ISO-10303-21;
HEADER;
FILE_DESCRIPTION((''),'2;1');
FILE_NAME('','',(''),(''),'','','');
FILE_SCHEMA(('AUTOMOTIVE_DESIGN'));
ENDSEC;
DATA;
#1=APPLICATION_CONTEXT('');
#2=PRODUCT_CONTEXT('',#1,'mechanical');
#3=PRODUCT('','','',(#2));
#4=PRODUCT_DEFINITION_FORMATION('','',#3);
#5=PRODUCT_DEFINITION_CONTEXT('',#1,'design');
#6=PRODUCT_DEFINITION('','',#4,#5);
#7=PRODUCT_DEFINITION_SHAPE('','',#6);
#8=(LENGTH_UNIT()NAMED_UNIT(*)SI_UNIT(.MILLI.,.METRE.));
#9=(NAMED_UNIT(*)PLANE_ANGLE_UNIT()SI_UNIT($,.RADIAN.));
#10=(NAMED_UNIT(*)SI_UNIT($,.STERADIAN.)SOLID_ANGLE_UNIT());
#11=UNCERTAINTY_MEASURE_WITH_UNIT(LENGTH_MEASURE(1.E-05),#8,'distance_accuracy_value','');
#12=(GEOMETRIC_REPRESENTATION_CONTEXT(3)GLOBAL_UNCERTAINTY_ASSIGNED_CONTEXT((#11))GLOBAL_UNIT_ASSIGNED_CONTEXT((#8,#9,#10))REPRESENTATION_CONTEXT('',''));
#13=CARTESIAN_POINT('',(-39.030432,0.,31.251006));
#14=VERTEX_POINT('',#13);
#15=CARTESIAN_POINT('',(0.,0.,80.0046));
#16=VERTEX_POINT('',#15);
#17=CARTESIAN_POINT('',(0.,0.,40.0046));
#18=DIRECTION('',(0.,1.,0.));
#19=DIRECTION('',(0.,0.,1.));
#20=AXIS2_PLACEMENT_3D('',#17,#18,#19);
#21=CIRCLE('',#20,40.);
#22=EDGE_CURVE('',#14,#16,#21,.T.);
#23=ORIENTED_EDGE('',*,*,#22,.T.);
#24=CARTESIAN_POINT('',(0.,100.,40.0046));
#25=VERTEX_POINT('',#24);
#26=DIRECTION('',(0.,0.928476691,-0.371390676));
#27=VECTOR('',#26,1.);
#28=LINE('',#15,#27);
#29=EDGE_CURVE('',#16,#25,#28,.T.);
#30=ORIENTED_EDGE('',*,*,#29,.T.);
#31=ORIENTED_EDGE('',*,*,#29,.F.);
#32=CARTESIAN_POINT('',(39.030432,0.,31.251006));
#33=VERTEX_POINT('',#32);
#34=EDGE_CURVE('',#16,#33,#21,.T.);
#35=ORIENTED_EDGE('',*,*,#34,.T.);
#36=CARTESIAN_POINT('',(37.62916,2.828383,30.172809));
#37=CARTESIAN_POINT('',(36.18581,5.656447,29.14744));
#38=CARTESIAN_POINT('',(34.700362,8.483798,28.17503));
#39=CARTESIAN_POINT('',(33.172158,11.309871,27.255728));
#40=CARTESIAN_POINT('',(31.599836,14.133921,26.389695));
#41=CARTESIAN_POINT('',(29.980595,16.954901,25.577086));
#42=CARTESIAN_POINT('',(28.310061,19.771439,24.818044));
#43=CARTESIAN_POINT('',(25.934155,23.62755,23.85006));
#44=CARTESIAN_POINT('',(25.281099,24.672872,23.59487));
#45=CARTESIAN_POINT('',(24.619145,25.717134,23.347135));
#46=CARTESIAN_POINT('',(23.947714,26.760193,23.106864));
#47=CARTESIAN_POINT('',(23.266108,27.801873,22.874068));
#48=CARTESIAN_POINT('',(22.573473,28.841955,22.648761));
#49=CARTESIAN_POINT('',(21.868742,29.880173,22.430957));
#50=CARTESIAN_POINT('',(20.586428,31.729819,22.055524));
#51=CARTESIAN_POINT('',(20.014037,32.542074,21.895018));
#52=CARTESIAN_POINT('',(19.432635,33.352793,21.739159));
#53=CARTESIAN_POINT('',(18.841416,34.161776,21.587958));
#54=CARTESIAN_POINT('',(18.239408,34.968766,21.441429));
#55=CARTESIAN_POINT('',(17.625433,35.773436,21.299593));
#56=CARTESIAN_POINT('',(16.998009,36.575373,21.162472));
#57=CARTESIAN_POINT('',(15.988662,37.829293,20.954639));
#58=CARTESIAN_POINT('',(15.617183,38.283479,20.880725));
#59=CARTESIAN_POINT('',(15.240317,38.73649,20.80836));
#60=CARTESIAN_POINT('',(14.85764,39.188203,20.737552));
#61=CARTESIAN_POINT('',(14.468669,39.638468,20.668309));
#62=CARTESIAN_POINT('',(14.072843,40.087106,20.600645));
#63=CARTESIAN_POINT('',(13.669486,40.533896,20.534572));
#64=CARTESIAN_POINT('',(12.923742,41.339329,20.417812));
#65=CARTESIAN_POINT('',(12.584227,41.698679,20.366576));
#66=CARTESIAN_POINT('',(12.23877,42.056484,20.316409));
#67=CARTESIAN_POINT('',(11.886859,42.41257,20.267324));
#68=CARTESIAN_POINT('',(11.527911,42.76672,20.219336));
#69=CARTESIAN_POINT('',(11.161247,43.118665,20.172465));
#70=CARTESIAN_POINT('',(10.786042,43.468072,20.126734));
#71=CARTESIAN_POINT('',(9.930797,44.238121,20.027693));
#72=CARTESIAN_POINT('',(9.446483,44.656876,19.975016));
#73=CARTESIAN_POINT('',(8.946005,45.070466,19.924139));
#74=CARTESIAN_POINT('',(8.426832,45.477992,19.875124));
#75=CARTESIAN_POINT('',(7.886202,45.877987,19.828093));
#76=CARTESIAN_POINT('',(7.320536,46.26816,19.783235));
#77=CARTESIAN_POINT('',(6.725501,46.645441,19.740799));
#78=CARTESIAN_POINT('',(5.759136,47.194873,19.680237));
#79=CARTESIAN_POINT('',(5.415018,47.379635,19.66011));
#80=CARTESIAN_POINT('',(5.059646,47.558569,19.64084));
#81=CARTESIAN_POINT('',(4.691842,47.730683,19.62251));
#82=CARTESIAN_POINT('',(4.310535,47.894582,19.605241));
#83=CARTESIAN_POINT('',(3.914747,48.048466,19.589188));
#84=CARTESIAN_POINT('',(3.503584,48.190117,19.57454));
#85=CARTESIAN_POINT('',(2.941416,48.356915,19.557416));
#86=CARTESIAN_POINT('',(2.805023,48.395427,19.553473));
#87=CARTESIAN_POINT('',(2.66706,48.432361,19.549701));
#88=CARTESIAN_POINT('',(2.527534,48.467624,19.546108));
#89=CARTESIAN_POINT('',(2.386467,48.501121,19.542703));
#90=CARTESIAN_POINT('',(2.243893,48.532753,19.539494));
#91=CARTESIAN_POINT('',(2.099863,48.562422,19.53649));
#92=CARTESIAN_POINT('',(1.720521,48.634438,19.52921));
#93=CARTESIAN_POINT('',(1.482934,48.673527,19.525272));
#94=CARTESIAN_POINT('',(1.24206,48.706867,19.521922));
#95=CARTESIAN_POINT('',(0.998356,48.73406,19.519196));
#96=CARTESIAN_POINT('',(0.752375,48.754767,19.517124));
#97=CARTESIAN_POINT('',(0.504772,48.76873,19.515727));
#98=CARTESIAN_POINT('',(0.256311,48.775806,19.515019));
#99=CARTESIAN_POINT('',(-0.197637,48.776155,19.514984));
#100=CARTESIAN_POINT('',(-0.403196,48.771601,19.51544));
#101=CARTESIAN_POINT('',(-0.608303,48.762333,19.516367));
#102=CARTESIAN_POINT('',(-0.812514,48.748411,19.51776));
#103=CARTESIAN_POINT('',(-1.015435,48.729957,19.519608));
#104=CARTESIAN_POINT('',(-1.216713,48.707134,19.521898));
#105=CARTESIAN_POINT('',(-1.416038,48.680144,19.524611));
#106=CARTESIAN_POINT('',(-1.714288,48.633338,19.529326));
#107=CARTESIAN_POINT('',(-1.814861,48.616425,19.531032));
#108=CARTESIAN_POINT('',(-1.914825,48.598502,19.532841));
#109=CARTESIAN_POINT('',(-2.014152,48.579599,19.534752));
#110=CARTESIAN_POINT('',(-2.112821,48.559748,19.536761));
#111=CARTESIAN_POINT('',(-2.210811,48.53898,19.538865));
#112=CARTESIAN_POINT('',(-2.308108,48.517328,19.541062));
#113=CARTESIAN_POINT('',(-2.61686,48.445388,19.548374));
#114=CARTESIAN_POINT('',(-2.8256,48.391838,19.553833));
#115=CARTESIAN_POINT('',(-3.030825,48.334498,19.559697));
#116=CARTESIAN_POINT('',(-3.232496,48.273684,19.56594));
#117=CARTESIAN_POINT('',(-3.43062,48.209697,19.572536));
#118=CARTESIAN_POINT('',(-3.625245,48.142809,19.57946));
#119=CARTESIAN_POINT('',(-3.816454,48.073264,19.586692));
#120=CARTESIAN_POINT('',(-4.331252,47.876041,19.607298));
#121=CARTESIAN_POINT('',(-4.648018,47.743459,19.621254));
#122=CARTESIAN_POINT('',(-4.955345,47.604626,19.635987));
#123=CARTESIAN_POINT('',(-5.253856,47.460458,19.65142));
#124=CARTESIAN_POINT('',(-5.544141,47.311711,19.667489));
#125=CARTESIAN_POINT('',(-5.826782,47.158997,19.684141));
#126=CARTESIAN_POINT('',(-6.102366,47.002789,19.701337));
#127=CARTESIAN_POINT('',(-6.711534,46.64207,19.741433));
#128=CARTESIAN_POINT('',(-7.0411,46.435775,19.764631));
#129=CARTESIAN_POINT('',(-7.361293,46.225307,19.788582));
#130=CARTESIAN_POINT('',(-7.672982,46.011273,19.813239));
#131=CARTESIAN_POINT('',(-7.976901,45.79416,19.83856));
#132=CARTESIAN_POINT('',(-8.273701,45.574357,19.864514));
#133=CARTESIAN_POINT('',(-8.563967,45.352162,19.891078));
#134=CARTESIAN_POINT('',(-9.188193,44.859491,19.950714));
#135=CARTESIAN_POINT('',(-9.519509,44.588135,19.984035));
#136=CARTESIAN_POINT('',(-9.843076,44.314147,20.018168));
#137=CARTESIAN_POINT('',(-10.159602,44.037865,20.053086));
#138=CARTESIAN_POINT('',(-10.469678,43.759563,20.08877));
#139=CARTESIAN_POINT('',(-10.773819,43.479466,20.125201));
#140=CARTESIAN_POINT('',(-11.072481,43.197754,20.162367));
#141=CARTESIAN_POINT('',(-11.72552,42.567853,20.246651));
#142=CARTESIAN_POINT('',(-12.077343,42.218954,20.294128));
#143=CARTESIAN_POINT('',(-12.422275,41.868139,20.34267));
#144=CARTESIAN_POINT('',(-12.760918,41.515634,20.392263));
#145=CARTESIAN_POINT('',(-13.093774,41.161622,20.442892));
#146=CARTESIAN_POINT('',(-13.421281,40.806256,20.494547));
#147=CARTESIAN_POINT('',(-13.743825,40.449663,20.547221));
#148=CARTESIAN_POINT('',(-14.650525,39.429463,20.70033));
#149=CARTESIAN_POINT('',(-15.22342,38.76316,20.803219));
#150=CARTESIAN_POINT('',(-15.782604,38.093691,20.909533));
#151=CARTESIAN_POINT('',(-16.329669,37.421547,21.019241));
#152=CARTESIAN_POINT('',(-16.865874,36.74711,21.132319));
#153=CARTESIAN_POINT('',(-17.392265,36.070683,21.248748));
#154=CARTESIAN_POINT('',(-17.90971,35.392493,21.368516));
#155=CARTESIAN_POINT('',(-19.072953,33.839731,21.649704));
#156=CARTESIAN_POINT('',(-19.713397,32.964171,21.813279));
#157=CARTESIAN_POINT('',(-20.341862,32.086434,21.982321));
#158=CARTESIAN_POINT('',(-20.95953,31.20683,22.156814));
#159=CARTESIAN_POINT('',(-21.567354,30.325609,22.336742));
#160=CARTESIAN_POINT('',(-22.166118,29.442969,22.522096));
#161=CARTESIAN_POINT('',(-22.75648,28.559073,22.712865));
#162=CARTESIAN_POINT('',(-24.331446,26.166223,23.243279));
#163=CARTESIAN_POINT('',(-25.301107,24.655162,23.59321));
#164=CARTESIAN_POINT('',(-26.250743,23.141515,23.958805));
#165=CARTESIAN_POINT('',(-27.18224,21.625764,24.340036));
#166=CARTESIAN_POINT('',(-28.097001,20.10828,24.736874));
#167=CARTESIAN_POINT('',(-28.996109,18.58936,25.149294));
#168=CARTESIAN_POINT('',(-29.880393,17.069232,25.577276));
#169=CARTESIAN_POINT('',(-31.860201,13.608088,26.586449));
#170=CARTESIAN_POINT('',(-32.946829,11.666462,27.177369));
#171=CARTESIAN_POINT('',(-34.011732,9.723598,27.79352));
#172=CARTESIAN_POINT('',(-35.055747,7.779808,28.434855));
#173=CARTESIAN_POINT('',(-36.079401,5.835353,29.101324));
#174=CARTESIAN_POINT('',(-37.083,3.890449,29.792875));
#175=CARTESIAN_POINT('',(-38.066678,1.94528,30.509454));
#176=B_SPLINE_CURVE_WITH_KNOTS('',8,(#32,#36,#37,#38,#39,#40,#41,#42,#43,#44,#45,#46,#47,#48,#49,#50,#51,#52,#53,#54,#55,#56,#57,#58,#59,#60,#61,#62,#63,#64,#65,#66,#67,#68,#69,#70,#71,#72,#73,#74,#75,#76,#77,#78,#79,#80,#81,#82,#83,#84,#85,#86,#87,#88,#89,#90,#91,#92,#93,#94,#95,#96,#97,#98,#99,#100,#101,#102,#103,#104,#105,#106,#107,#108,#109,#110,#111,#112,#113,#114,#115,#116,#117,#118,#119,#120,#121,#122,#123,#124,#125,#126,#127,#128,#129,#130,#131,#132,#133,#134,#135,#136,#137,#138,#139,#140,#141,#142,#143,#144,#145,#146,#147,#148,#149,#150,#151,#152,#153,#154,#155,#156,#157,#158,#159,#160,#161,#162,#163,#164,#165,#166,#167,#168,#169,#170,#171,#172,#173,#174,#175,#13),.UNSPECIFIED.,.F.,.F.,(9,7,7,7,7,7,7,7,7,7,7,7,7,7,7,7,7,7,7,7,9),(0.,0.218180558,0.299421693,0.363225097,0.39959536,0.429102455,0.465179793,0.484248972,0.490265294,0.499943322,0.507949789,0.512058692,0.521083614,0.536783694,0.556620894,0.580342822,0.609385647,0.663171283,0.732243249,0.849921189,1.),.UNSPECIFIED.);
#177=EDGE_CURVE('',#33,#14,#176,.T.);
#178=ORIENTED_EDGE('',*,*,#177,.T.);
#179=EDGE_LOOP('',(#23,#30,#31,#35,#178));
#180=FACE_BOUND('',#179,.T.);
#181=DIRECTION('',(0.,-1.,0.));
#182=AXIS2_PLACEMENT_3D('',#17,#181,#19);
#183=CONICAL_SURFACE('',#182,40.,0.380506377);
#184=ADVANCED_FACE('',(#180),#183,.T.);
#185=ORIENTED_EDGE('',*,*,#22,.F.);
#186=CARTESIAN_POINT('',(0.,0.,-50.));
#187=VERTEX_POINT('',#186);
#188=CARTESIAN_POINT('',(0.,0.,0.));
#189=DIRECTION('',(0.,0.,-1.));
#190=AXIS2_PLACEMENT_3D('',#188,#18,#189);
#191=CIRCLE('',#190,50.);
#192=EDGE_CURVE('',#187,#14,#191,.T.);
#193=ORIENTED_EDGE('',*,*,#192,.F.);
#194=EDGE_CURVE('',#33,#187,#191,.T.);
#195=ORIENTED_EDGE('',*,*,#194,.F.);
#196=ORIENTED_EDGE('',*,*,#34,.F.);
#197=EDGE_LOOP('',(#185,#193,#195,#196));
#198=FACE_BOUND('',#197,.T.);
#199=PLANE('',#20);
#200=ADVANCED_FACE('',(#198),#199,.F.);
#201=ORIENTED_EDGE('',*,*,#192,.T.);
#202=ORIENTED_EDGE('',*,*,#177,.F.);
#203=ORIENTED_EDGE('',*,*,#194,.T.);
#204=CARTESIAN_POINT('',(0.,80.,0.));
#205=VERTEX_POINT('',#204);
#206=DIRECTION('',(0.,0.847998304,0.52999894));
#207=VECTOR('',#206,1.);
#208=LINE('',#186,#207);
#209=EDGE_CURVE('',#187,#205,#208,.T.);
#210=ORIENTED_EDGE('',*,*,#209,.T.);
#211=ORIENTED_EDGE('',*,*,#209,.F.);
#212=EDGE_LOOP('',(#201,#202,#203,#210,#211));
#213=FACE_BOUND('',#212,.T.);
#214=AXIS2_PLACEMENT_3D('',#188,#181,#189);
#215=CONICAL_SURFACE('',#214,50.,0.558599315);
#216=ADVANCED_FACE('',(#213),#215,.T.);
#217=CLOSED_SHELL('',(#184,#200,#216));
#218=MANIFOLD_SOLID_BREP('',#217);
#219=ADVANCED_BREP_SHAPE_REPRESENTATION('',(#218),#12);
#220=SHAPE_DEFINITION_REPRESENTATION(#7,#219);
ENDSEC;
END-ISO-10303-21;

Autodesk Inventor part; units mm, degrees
ref_plane "YZ Plane" through (0, 0, 0) normal (1, 0, 0) x (0, 1, 0)
ref_plane "XZ Plane" through (0, 0, 0) normal (0, 1, 0) x (-1, 0, 0)
ref_plane "XY Plane" through (0, 0, 0) normal (0, 0, 1) x (1, 0, 0)
sketch "Эскиз1" plane through (0, 0, 0) normal (0, 1, 0) x (-1, 0, 0)
  circle A0 centre (0, 0) radius 50
  circle A1 centre (0, 40) radius 40
  line L0 (44.1832, 40) -> (-44.0888, 40)
  line L1 (0.3076, 84.5902) -> (0.3076, -55.7597)
  line L2 (55.3799, 0) -> (-56.0667, 0)
  dimension "d0" = 100
  dimension "d2" = 80
sketch "Эскиз2" plane through (0, 0, 0) normal (1, 0, 0) x (0, 1, 0)
  line L0 (0, 40.0046) -> (100, 40.0046)
  line L1 (0, 40.0046) -> (0, 80.0046)
  line L2 (0, 80.0046) -> (100, 40.0046)
  line L3 (0, 0) -> (80, 0)
  line L4 (0, 0) -> (0, -50)
  line L5 (0, -50) -> (80, 0)
  dimension "d3" = 100
  dimension "d4" = 40
  dimension "d5" = 80
  dimension "d6" = 50
revolve "Вращение1" add sketch "Эскиз2" angle 360 about axis through (0, 0, 40.0046) along (0, 1, 0) contours L1 L2 L0
revolve "Вращение2" add sketch "Эскиз2" angle 360 about axis through (0, 0, 0) along (0, 1, 0) contours L3 L5 L4
ref_plane "РабПлоскость1" through (0, 33.25, 0) normal (0, -1, 0) x (1, 0, 0)
split_face "Разделение1"
split_face "Разделение2"
ref_plane "РабПлоскость2" through (0, 100, 0) normal (0, -1, 0) x (1, 0, 0)
ref_plane "РабПлоскость3" through (0, 80, 0) normal (0, -1, 0) x (1, 0, 0)
